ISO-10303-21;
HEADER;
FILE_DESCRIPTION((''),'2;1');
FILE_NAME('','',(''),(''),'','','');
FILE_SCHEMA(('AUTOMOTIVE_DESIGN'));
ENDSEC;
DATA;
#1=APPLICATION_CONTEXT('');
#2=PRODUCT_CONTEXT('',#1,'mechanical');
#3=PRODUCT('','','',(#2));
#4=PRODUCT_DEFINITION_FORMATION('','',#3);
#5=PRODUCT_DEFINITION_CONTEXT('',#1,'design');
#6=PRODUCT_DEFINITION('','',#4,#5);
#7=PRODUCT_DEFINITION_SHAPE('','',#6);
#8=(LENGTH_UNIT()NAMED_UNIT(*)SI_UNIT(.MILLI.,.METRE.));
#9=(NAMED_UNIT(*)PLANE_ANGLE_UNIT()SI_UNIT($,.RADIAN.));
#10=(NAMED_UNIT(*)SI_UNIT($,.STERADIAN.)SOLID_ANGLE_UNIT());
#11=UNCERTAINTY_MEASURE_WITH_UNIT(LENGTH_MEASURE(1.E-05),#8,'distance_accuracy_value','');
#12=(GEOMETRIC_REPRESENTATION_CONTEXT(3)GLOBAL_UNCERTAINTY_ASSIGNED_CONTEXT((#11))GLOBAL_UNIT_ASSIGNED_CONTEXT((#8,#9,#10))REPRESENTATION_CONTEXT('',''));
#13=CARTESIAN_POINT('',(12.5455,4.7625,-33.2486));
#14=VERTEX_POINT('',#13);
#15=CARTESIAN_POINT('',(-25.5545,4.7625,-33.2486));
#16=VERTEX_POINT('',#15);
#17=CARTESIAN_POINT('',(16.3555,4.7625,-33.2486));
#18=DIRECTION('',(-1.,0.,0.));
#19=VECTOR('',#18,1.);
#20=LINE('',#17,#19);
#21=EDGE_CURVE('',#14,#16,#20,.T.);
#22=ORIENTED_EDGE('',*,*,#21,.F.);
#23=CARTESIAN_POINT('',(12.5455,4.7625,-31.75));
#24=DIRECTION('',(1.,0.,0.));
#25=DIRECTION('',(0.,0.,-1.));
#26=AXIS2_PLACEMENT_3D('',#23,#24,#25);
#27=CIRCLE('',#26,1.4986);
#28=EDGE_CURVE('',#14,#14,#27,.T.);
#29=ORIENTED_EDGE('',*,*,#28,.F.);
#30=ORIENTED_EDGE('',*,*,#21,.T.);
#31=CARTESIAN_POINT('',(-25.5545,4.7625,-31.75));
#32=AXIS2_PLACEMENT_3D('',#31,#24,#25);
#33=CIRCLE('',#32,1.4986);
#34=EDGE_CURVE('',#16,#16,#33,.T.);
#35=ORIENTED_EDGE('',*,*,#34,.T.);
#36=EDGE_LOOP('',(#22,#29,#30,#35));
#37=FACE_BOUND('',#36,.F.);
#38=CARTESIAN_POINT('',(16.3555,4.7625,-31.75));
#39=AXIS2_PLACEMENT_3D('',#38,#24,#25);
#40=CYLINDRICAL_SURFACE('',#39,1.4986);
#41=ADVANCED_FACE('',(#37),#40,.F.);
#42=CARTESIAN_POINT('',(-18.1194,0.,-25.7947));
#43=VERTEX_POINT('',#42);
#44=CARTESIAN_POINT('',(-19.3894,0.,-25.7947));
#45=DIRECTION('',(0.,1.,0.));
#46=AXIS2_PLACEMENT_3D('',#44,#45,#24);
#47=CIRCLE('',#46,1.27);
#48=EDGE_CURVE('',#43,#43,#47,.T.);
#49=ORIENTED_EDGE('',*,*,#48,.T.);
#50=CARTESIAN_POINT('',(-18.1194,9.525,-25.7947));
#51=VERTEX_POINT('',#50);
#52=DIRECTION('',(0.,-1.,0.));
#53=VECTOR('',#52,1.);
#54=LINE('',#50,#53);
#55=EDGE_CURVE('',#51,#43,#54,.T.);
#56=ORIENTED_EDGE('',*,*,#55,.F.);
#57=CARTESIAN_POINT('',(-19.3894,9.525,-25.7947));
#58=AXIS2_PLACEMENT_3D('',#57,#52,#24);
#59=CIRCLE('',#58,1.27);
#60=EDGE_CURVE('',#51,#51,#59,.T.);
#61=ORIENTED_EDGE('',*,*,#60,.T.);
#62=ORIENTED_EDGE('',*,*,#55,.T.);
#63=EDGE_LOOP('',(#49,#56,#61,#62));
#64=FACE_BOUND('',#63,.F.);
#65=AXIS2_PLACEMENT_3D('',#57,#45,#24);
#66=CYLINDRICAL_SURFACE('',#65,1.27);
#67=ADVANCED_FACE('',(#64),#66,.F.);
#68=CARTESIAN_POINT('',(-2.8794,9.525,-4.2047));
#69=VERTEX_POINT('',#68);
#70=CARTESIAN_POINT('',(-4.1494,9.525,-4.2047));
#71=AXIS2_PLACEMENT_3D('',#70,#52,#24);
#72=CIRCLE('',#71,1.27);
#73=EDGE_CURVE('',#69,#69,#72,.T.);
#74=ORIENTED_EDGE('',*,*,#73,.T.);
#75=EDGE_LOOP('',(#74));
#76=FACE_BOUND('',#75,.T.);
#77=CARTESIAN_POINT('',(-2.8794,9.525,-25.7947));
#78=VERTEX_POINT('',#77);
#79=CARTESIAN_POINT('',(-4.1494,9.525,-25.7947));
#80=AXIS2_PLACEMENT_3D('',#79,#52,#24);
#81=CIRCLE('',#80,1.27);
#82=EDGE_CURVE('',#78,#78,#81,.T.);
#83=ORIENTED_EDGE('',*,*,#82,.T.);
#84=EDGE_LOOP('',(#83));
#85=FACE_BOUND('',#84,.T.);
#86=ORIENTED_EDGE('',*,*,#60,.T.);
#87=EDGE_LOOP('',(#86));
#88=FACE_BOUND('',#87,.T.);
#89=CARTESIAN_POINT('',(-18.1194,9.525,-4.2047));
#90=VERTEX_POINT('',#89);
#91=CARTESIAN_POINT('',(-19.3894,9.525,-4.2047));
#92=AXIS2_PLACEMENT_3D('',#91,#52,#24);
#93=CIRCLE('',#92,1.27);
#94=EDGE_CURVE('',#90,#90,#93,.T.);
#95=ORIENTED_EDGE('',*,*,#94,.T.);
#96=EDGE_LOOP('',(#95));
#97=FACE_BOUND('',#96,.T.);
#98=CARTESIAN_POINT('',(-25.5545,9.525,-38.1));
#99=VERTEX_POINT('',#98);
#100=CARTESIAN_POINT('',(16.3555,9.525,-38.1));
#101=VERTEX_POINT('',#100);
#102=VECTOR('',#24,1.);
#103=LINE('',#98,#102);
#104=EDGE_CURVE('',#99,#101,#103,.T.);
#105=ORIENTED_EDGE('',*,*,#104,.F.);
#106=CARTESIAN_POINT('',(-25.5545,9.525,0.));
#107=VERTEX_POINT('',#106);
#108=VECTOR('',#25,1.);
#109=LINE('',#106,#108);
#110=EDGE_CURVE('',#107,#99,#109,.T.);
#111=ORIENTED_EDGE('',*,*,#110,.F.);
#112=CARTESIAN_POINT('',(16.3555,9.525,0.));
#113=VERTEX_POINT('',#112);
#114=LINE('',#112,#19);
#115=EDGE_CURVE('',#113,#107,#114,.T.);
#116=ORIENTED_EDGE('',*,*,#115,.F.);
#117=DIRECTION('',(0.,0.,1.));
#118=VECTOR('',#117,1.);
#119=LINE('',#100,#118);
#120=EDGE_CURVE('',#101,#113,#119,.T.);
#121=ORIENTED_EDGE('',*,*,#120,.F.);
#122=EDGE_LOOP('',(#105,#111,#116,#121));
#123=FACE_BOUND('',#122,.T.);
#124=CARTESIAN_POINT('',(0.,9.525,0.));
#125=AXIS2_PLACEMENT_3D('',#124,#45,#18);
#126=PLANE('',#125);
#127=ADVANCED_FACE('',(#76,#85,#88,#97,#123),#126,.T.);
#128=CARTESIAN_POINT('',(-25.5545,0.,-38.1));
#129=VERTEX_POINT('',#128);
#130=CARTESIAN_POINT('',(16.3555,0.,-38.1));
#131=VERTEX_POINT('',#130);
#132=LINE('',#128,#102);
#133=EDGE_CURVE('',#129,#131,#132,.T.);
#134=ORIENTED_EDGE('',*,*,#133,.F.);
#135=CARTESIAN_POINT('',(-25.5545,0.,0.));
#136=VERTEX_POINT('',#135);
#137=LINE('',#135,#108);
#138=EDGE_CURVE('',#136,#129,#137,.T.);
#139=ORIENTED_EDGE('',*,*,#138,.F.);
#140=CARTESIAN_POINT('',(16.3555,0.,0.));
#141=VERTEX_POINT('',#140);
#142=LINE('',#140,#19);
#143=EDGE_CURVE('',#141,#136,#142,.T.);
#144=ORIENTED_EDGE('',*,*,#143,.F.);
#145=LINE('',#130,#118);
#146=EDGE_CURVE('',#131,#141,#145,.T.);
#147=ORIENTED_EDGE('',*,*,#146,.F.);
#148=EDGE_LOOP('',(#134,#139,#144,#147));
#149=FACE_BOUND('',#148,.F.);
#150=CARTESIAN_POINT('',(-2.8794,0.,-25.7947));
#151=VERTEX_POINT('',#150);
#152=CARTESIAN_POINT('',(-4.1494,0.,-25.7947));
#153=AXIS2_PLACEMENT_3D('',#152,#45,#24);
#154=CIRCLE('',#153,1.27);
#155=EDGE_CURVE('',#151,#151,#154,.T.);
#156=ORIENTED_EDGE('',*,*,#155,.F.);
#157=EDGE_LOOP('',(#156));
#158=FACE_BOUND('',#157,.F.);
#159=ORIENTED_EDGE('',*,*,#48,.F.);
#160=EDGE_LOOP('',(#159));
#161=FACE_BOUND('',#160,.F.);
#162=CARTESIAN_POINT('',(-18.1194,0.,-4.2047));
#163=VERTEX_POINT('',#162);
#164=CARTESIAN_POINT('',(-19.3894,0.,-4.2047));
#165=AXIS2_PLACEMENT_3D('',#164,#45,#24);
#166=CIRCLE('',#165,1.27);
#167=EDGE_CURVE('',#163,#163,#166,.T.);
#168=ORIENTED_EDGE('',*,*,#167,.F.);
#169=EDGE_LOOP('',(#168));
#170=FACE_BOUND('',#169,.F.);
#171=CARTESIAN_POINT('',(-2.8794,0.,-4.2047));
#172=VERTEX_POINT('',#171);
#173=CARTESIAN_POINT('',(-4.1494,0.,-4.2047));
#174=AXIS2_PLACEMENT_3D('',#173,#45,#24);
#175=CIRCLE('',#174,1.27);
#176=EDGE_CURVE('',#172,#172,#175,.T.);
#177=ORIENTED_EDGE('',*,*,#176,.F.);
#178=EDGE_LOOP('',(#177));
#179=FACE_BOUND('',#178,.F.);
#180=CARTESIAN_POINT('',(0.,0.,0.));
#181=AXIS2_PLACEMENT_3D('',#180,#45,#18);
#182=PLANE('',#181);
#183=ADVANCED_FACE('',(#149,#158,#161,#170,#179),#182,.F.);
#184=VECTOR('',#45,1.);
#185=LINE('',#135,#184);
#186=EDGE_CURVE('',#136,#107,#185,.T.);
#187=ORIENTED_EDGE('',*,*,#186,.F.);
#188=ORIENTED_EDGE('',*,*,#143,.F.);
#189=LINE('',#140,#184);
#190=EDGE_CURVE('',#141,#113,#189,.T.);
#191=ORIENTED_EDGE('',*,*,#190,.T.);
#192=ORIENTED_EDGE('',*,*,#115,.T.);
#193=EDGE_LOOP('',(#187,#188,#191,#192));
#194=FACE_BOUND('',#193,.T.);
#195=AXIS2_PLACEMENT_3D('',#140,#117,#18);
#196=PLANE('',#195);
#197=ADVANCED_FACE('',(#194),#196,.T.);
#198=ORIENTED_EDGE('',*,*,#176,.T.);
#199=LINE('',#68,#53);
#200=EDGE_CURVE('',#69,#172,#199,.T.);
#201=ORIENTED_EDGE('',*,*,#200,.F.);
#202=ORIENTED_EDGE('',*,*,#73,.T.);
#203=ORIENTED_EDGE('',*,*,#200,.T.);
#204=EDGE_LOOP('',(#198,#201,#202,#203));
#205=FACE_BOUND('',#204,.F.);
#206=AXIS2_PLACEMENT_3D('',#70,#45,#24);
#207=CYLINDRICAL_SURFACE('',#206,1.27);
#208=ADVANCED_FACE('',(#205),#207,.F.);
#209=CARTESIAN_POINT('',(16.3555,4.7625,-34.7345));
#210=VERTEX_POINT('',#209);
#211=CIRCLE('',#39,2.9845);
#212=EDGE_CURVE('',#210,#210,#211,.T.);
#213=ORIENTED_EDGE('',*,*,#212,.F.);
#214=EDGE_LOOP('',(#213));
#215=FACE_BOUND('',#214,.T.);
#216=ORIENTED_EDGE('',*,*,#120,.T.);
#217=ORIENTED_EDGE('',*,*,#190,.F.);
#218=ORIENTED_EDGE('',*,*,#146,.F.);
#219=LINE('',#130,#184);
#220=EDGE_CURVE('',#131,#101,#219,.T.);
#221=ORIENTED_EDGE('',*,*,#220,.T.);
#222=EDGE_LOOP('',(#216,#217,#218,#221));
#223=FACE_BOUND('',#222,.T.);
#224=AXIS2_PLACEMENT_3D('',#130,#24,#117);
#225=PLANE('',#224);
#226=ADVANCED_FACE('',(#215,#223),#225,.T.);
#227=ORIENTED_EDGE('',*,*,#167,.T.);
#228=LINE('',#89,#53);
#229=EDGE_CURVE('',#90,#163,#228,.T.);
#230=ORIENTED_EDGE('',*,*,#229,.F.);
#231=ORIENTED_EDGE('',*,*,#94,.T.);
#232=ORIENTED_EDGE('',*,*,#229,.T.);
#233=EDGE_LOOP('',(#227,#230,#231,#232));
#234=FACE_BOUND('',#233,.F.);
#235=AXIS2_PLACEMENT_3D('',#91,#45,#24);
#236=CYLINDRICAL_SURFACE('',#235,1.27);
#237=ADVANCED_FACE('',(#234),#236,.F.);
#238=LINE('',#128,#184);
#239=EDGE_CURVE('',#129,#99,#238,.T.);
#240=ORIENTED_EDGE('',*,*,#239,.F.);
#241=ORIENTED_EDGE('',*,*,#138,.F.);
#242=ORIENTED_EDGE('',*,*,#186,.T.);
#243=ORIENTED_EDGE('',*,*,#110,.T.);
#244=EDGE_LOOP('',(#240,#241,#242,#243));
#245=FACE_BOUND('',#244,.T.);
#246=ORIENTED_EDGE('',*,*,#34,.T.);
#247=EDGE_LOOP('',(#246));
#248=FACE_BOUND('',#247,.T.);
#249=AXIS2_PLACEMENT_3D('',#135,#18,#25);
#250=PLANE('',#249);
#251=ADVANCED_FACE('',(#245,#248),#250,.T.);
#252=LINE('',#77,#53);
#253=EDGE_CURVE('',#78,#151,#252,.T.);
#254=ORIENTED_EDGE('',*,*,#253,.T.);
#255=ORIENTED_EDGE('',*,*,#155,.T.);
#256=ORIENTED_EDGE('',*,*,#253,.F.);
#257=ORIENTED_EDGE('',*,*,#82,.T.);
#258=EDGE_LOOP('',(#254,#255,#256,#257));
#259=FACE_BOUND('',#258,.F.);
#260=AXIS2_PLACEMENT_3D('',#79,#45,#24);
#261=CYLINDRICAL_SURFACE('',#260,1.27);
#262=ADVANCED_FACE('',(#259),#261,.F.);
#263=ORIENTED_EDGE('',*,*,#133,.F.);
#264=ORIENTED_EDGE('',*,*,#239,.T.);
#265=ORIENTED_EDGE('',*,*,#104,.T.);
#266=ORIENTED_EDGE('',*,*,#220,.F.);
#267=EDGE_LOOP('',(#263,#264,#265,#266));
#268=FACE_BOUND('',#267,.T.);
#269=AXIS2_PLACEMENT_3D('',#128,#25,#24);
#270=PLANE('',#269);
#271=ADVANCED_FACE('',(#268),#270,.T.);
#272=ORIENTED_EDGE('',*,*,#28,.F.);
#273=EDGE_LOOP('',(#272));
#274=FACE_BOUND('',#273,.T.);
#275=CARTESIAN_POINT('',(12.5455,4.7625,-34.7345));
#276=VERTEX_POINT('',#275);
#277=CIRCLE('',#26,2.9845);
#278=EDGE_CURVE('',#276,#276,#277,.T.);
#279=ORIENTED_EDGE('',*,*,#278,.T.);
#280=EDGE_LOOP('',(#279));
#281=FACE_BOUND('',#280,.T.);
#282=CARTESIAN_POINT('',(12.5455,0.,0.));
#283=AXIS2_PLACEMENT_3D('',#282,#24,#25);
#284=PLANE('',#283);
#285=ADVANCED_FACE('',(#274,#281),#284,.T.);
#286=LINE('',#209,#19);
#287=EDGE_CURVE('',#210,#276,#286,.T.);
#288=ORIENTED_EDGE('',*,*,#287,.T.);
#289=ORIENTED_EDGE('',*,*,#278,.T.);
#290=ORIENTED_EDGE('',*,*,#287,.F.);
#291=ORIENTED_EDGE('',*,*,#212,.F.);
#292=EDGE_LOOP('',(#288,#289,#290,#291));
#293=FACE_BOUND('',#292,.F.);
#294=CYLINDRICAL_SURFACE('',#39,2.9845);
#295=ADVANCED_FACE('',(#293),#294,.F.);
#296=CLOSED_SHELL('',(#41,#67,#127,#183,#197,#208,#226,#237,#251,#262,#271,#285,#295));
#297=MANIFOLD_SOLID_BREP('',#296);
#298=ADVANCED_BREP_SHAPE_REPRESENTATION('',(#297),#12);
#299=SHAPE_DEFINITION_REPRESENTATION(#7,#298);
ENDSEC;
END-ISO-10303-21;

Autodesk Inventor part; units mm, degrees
ref_plane "YZ Plane" through (0, 0, 0) normal (1, 0, 0) x (0, 1, 0)
ref_plane "XZ Plane" through (0, 0, 0) normal (0, 1, 0) x (-1, 0, 0)
ref_plane "XY Plane" through (0, 0, 0) normal (0, 0, 1) x (1, 0, 0)
sketch "Sketch1" plane through (0, 0, 0) normal (0, 1, 0) x (-1, 0, 0)
  line L0 (-16.3555, 0) -> (25.5545, 0)
  line L1 (25.5545, 0) -> (25.5545, -38.1)
  line L2 (25.5545, -38.1) -> (-16.3555, -38.1)
  line L3 (-16.3555, -38.1) -> (-16.3555, 0)
  point P0 (0, 0)
  dimension "d0" = 41.91
  dimension "d1" = 38.1
extrude "Extrusion1" add sketch "Sketch1" along normal blind 9.525
sketch "Sketch2" plane through (16.3555, 0, 0) normal (1, 0, 0) x (0, 0, -1)
  circle A0 centre (31.75, 4.7625) radius 1.4986
  line L0 (0, 0) -> (38.1, 0) projected
  line L1 (38.1, 0) -> (38.1, 9.525) projected
  dimension "d4" = 2.9972
  dimension "d5" = 4.7625
  dimension "d6" = 6.35
extrude "Extrusion2" cut sketch "Sketch2" against normal through all
sketch "Sketch3" plane through (16.3555, 0, 0) normal (1, 0, 0) x (0, 0, -1)
  circle A0 centre (31.75, 4.7625) radius 1.4986 projected
  circle A1 centre (31.75, 4.7625) radius 2.9845
  circle A2 centre (31.75, 4.7625) radius 1.4986
  point P0 (0, 0)
  dimension "d9" = 5.969
extrude "Extrusion3" cut sketch "Sketch3" against normal blind 3.81
sketch "Sketch4" plane through (0, 9.525, 0) normal (0, 1, 0) x (1, 0, 0)
  line L0 (-19.3894, 4.2047) -> (-4.1494, 4.2047)
  line L1 (-4.1494, 4.2047) -> (-4.1494, 25.7947)
  line L2 (-4.1494, 25.7947) -> (-19.3894, 25.7947)
  line L3 (-19.3894, 25.7947) -> (-19.3894, 4.2047)
  line L4 (16.3555, 38.1) -> (-25.5545, 38.1) projected
  line L5 (-25.5545, 38.1) -> (-25.5545, 0) projected
  circle A0 centre (-19.3894, 4.2047) radius 1.27
  circle A1 centre (-4.1494, 4.2047) radius 1.27
  circle A2 centre (-4.1494, 25.7947) radius 1.27
  circle A3 centre (-19.3894, 25.7947) radius 1.27
  point P0 (0, 0)
  point P1 (-19.3894, 14.9997)
  dimension "d12" = 21.59
  dimension "d14" = 15.24
  dimension "d16" = 2.54
  dimension "d17" = 2.54
  dimension "d20" = 2.54
extrude "Extrusion4" cut sketch "Sketch4" against normal through all contours L3 A0 L0 | L0 A0 L3 | A1 L1 L0 | L0 L1 A1 | A3 L2 L3 | L3 L2 A3 | A2 L2 L1 | L1 L2 A2
properties part number "sensor bendor"
